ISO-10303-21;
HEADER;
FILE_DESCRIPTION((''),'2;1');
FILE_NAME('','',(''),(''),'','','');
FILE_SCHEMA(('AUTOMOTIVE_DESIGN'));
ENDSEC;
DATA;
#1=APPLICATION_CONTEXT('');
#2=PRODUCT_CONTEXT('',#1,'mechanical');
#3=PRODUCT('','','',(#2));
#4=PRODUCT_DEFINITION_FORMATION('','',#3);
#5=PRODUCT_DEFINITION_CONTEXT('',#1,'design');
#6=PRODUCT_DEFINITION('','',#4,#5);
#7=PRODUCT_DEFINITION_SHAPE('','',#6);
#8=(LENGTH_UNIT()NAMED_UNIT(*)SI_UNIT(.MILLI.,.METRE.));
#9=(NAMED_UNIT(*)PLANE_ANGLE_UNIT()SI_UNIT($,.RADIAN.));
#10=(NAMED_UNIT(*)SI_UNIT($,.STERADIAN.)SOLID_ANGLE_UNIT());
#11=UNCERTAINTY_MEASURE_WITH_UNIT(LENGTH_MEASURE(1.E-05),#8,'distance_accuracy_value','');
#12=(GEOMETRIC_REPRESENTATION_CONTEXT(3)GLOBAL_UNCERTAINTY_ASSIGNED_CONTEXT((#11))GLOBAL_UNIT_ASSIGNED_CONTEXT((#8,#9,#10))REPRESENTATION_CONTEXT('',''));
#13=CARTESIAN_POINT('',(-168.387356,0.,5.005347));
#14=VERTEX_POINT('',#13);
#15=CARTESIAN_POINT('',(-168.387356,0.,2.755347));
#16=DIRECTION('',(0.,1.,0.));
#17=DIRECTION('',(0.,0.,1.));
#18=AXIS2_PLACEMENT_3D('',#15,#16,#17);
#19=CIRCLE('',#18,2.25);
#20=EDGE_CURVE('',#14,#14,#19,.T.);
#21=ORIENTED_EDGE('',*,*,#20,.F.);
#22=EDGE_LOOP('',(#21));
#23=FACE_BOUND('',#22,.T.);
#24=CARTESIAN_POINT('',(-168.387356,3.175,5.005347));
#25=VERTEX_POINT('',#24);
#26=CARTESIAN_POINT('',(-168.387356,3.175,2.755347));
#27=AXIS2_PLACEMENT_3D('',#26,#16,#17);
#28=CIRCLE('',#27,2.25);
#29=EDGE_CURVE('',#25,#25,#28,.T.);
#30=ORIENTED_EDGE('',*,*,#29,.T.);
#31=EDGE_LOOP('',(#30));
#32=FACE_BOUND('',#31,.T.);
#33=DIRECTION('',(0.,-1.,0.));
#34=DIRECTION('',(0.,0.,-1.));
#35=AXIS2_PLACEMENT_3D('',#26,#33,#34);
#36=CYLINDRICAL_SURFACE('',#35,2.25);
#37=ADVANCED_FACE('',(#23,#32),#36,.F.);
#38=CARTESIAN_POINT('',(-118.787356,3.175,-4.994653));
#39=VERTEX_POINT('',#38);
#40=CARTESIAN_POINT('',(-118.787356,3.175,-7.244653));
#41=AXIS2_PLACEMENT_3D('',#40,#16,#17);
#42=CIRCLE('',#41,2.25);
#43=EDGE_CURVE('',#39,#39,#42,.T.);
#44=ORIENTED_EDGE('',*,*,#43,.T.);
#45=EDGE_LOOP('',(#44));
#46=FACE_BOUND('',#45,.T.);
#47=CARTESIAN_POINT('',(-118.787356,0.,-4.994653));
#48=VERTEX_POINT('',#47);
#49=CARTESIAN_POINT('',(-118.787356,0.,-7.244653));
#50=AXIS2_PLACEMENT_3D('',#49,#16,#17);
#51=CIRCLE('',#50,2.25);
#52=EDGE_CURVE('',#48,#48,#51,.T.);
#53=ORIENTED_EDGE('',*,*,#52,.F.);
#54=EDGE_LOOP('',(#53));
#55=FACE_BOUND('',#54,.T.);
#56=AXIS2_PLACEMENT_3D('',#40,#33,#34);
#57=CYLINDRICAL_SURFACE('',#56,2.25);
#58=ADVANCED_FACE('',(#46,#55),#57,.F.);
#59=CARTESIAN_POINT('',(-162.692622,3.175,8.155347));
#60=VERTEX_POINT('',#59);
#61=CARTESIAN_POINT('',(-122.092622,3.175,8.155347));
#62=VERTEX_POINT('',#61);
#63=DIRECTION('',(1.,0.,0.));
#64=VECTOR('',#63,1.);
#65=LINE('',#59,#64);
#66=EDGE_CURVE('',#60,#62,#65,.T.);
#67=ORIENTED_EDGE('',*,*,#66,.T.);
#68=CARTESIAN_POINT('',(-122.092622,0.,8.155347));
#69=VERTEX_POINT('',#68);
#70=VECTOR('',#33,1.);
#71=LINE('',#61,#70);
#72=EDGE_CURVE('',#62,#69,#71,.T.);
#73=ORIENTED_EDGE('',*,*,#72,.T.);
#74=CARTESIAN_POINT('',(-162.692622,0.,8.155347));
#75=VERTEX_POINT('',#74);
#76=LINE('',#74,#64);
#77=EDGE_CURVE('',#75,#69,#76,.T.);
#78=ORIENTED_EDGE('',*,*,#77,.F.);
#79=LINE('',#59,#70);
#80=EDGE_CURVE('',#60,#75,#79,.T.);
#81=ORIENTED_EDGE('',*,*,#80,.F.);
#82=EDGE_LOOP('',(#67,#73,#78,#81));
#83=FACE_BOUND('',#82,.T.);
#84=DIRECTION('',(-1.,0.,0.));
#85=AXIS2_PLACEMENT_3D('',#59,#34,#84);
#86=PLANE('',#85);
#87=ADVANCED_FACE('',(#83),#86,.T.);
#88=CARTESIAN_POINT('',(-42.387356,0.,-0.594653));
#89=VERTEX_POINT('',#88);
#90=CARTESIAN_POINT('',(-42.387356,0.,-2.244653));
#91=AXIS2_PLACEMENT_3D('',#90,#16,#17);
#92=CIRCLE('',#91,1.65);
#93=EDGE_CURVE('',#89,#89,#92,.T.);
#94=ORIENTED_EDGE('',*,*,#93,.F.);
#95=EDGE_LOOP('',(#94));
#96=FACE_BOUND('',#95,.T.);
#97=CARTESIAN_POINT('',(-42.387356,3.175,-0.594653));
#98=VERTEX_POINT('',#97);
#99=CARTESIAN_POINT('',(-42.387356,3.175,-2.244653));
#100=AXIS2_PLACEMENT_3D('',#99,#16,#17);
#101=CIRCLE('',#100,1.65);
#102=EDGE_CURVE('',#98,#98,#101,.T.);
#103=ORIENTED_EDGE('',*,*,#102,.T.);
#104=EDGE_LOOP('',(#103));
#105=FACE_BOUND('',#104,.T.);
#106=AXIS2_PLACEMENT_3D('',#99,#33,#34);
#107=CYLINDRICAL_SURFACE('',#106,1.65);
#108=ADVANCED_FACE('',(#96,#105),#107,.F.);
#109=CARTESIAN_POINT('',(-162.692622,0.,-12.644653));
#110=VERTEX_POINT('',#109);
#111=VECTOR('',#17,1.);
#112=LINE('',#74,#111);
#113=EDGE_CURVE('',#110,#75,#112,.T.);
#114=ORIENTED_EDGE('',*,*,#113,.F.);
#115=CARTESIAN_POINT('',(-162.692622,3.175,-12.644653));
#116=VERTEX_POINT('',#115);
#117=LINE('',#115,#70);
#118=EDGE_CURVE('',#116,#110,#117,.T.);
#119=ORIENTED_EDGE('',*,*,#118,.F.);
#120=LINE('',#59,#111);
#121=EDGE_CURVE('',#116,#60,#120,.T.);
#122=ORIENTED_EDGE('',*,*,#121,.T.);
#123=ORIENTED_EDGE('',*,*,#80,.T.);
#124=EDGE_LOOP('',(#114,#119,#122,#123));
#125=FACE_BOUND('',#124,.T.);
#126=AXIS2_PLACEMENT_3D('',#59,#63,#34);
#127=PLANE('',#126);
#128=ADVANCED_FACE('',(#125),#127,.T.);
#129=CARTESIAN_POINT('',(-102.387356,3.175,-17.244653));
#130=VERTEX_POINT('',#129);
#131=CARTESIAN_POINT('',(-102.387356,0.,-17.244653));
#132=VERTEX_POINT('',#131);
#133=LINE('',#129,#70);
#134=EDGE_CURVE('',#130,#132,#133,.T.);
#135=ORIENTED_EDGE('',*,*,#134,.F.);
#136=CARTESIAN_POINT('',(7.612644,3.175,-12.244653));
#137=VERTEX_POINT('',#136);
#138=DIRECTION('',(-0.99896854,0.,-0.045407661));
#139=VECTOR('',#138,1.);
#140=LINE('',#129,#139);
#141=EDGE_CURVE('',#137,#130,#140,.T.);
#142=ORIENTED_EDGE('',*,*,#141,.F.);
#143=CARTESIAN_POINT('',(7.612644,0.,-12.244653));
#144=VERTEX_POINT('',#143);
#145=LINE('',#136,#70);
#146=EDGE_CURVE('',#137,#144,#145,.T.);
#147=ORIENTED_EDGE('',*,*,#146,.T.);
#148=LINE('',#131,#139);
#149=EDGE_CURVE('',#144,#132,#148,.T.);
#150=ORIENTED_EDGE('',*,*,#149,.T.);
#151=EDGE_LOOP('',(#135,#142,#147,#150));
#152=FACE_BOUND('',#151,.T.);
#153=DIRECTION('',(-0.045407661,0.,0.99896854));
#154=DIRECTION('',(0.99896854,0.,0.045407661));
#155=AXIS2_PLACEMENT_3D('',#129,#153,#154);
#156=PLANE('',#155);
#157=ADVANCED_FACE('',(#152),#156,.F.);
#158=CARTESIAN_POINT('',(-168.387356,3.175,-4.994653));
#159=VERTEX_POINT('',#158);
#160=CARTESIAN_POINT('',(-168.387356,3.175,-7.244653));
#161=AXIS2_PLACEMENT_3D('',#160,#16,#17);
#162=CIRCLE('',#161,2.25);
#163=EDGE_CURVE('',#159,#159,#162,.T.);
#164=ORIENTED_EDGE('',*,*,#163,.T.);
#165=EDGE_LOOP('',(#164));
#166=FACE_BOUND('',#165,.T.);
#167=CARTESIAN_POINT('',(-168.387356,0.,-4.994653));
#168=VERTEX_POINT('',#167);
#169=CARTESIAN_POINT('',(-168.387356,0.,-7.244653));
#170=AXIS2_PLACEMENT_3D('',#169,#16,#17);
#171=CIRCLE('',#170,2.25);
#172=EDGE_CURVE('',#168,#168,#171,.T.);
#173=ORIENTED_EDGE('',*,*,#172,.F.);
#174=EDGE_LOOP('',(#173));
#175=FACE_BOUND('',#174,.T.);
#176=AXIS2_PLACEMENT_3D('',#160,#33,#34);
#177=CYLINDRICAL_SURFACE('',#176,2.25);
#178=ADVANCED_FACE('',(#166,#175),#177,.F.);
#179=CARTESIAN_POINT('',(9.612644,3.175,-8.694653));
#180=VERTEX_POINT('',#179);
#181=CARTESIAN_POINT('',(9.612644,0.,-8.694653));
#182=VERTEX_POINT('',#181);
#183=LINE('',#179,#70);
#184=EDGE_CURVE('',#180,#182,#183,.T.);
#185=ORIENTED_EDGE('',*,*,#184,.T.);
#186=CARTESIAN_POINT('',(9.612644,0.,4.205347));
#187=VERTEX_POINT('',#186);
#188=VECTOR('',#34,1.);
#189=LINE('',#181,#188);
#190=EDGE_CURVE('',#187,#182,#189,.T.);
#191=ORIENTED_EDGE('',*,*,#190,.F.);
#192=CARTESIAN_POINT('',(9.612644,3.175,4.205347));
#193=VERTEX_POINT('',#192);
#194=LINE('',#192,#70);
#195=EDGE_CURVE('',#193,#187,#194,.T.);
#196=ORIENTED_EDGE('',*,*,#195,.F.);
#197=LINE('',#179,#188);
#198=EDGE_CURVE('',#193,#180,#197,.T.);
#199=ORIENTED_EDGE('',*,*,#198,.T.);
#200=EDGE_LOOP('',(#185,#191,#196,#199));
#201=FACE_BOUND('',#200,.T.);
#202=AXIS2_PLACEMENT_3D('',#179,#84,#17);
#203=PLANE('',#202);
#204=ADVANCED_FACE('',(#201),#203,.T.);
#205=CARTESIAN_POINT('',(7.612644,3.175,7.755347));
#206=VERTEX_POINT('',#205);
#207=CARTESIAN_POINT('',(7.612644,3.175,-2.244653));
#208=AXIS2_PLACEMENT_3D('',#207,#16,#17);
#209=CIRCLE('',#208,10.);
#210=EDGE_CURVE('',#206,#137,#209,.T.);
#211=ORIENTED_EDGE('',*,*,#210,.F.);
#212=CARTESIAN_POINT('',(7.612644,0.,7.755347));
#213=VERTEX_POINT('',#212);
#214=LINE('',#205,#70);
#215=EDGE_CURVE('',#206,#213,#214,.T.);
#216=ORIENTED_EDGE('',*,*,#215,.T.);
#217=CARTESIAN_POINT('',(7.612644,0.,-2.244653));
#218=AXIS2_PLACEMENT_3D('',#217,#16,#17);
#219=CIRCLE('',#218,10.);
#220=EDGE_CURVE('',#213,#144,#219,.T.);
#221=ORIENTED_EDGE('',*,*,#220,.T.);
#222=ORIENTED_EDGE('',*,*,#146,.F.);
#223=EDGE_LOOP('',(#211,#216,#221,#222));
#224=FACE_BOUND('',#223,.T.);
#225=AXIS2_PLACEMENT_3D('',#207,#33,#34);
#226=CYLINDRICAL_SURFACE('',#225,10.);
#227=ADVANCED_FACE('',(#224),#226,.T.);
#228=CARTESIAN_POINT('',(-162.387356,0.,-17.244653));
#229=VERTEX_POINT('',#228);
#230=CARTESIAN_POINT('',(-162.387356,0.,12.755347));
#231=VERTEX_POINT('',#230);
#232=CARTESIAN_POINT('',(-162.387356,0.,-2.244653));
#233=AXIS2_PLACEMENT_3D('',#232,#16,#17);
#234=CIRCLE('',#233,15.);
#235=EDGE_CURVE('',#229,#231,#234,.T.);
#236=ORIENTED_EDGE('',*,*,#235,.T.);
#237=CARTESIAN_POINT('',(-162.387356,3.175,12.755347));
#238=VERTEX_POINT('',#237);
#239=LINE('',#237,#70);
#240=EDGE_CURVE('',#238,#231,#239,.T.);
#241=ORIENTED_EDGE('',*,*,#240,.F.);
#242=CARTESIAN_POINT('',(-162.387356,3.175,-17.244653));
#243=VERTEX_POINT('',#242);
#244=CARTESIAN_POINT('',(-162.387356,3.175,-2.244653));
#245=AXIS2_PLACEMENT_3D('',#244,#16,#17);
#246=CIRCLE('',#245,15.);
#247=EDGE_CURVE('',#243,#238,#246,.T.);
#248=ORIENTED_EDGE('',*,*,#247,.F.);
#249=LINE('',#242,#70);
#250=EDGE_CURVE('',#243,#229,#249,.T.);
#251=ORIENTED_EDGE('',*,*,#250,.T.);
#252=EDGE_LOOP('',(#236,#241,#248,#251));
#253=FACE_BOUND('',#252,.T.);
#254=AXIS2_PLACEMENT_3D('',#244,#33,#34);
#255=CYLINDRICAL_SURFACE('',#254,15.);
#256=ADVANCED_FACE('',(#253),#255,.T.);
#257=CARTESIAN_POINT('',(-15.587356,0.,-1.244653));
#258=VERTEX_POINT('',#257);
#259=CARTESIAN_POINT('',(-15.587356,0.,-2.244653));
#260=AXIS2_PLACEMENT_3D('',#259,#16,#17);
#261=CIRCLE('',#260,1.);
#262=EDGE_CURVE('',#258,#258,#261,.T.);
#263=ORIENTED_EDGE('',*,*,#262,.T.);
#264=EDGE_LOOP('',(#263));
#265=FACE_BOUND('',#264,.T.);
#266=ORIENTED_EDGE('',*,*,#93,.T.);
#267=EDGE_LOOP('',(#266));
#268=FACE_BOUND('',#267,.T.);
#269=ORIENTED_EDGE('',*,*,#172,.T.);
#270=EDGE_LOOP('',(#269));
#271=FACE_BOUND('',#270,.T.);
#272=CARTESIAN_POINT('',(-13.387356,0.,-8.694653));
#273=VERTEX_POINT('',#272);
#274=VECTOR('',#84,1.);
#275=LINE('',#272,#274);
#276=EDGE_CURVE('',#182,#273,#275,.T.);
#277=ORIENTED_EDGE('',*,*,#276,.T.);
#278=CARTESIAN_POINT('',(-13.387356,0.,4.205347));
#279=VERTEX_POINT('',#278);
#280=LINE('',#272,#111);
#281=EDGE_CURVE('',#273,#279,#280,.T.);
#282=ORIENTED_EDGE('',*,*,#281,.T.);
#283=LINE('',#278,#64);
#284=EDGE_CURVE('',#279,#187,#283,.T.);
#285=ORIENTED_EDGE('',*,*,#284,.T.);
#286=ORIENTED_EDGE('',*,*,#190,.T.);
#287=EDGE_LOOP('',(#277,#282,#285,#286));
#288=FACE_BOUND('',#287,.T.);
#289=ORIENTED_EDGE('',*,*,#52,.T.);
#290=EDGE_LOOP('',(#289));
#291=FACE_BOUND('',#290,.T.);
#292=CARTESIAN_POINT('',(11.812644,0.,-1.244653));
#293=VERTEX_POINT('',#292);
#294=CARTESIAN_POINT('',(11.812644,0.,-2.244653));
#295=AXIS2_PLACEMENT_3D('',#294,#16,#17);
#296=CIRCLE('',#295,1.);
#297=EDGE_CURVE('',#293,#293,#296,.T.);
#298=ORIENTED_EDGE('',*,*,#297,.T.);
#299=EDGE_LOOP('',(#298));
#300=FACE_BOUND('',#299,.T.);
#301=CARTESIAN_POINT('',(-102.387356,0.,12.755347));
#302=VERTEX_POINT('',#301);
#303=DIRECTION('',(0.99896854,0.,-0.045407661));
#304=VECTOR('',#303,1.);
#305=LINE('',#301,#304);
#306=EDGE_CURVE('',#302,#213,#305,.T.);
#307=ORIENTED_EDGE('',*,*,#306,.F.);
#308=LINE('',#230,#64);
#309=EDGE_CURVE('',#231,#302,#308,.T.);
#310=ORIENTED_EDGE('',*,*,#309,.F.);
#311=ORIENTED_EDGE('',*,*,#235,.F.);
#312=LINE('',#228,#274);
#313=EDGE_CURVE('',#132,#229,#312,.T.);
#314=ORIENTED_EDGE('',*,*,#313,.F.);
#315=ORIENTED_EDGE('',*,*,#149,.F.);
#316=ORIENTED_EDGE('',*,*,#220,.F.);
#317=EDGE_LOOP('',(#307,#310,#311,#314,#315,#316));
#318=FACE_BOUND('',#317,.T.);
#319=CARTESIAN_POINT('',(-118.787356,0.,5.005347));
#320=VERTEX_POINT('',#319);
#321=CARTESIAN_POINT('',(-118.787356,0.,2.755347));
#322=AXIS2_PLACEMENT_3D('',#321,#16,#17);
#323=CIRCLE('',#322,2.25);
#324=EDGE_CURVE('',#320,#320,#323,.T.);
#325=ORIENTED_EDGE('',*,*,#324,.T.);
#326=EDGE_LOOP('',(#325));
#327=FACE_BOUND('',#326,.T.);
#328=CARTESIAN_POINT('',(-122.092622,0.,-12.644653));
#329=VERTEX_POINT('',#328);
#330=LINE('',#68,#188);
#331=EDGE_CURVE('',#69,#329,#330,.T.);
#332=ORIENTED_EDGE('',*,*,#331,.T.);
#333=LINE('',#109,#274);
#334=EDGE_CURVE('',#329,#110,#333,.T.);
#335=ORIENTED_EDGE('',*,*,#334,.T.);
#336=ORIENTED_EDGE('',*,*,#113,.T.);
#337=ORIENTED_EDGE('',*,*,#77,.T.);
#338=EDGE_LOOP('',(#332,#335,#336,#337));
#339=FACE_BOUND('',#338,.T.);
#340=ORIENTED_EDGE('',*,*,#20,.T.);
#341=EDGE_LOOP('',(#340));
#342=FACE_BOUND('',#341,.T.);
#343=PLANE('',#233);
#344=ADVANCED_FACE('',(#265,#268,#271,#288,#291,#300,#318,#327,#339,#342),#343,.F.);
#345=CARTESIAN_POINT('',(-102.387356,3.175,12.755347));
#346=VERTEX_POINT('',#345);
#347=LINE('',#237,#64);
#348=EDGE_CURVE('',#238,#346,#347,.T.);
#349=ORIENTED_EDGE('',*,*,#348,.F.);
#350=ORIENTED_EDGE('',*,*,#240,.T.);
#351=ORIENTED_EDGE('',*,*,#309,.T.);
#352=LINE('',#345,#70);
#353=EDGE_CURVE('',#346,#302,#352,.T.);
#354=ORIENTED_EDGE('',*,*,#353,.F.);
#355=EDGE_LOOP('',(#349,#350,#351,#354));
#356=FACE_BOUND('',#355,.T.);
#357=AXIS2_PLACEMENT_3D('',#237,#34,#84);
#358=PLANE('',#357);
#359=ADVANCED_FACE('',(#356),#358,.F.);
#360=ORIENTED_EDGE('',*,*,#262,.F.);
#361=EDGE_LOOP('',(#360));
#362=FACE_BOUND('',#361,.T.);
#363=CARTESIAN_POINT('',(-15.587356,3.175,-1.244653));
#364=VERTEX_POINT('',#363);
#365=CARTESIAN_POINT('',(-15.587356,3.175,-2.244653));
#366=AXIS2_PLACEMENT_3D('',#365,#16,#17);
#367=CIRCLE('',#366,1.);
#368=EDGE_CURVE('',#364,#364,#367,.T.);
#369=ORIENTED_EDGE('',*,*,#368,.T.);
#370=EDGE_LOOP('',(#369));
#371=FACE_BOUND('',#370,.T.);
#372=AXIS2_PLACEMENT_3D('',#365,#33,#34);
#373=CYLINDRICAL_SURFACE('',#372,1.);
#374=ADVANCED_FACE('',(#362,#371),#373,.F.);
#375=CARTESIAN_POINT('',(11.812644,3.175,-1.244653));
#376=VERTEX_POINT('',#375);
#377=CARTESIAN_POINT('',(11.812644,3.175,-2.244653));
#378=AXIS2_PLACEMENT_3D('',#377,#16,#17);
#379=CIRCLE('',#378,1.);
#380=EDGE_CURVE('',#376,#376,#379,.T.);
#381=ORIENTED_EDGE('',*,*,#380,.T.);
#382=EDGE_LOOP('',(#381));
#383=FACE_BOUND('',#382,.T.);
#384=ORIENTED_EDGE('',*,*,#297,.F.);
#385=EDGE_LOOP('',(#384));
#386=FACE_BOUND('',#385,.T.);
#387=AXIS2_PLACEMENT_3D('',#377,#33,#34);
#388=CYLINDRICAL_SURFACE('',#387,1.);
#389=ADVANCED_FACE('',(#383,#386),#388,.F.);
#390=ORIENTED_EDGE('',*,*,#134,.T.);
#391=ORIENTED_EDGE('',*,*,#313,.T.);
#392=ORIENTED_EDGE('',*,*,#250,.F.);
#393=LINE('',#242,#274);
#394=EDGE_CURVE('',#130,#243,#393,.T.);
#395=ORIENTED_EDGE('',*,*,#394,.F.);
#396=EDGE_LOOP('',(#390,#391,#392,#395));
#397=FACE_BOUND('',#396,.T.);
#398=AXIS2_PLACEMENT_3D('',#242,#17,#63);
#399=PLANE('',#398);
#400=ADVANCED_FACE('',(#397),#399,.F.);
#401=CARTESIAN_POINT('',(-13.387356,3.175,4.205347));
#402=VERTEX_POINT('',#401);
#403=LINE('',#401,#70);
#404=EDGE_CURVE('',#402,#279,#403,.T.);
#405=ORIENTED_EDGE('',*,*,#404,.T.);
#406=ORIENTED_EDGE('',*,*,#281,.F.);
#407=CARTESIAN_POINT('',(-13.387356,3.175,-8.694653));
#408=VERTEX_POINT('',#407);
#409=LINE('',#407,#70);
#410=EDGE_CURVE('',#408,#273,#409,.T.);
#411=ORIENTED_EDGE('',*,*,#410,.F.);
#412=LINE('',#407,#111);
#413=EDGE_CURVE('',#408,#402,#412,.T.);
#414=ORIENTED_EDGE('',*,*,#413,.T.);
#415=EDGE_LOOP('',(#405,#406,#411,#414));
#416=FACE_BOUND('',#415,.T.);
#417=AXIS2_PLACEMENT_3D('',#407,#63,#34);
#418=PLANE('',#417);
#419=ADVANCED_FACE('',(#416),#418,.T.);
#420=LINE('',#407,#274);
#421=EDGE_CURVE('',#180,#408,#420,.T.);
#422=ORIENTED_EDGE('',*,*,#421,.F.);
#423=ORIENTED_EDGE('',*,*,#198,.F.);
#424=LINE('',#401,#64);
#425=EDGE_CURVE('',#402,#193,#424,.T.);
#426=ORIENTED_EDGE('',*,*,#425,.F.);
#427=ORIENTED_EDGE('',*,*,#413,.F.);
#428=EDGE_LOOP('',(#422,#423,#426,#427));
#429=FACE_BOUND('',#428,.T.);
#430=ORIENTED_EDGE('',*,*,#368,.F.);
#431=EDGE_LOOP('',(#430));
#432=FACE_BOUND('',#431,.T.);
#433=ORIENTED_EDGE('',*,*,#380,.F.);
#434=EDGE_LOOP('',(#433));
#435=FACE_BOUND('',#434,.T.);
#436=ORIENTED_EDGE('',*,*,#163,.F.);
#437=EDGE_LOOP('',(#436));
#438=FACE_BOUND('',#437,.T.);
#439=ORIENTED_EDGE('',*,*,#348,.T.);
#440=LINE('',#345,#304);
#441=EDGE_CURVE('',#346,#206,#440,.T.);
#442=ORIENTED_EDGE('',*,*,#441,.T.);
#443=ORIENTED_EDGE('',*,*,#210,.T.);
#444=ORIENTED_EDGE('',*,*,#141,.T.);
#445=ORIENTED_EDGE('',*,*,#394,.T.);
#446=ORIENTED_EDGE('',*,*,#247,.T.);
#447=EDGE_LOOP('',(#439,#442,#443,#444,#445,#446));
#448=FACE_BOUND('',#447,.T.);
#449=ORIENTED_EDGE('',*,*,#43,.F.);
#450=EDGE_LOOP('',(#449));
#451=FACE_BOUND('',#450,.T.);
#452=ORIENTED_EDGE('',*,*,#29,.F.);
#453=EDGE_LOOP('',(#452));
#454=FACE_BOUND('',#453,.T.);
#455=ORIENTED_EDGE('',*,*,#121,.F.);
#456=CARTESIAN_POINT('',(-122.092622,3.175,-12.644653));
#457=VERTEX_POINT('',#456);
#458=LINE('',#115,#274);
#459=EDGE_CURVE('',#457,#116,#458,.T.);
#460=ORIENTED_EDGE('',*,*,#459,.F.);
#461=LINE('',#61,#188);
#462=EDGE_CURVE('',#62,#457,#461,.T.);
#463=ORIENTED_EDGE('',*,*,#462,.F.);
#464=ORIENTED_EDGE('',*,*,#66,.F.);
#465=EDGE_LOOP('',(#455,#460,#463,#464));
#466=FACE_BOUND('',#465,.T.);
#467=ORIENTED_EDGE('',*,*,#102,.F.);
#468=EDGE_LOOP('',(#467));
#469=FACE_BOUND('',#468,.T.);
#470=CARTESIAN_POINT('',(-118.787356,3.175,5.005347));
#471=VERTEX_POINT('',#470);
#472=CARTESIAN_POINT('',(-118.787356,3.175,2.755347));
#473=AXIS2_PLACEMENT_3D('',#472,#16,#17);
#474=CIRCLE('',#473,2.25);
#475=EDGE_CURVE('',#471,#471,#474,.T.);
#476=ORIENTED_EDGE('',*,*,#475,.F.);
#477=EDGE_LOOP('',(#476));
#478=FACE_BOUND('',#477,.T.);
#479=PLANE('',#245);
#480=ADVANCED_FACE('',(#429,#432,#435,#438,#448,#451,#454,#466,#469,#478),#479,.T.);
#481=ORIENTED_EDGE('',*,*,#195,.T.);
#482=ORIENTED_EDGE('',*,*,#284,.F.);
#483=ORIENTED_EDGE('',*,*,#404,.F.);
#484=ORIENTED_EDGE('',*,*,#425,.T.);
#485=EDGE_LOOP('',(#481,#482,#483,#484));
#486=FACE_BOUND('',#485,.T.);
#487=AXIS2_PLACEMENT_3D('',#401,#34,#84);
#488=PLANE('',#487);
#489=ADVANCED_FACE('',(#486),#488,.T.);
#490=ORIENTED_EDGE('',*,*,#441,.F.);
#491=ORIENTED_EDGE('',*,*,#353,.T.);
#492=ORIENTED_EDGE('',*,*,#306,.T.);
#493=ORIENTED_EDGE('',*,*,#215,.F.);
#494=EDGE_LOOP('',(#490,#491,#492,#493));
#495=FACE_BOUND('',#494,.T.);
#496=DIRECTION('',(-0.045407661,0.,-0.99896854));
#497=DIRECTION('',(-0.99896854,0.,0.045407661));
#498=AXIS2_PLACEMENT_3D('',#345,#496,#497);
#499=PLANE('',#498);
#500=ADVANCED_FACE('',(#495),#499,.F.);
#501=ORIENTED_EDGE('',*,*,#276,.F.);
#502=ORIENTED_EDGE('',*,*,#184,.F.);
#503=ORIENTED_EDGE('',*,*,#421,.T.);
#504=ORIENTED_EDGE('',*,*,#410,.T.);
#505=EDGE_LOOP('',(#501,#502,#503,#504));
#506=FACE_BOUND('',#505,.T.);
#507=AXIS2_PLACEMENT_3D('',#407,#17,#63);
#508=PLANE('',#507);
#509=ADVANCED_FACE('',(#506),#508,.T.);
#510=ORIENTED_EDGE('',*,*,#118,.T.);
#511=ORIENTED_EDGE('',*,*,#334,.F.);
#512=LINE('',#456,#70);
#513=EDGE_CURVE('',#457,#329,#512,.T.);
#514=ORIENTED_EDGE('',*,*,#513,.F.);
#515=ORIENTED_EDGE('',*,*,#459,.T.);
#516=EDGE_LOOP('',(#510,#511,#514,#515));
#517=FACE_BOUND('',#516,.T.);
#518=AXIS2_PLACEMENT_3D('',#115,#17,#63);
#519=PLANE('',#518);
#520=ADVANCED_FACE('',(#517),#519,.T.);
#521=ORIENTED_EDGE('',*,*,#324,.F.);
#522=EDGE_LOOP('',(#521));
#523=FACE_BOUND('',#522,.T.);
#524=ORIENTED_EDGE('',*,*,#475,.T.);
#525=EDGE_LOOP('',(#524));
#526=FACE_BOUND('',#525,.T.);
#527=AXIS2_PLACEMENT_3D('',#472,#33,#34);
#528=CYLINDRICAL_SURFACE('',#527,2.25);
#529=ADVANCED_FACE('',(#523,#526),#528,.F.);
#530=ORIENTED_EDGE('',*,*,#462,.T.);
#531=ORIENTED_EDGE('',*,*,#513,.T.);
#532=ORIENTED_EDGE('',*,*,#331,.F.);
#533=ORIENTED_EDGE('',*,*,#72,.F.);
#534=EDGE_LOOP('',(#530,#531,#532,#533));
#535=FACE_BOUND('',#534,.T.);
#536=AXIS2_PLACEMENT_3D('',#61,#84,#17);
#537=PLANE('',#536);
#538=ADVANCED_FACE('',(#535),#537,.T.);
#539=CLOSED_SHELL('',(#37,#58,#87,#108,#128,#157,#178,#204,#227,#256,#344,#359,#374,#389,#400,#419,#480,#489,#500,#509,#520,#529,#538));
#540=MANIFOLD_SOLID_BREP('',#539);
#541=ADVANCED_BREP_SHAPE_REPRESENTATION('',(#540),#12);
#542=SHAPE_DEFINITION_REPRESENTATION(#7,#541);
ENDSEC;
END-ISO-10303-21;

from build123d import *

# Parameters (mm, degrees)
SKETCH1_R           = 2.25
SKETCH1_R_2         = 1
SKETCH1_R_3         = 1.65
SKETCH1_W           = 40.6
SKETCH1_H           = 20.8
SKETCH1_W_2         = 23
SKETCH1_H_2         = 12.9
BOSS_EXTRUDE1_DEPTH = 3.175


with BuildPart() as part:
    # Sketch1 → Boss-Extrude1 (new body)
    with BuildSketch(Plane(origin=(0, 0, 0), x_dir=(1, 0, 0), z_dir=(0, 1, 0))):
        with BuildLine():
            Line((-162.38735588, 17.244652891), (-102.38735588, 17.244652891))
            Line((-102.38735588, 17.244652891), (7.61264412, 12.244652891))
            ThreePointArc((7.61264412, 12.244652891), (17.61264412, 2.244652891), (7.61264412, -7.755347109))
            Line((7.61264412, -7.755347109), (-102.38735588, -12.755347109))
            Line((-102.38735588, -12.755347109), (-162.38735588, -12.755347109))
            ThreePointArc((-162.38735588, -12.755347109), (-177.38735588, 2.244652891), (-162.38735588, 17.244652891))
        make_face()
        with Locations(Location((-168.38735588, 7.244652891, 0), (0, 0, 270))):
            Circle(SKETCH1_R, mode=Mode.SUBTRACT)
        with Locations(Location((-168.38735588, -2.755347109, 0), (0, 0, 270))):
            Circle(SKETCH1_R, mode=Mode.SUBTRACT)
        with Locations(Location((-118.78735588, 7.244652891, 0), (0, 0, 270))):
            Circle(SKETCH1_R, mode=Mode.SUBTRACT)
        with Locations(Location((-118.78735588, -2.755347109, 0), (0, 0, 270))):
            Circle(SKETCH1_R, mode=Mode.SUBTRACT)
        with Locations(Location((-15.58735588, 2.244652891, 0), (0, 0, 270))):
            Circle(SKETCH1_R_2, mode=Mode.SUBTRACT)
        with Locations(Location((11.81264412, 2.244652891, 0), (0, 0, 270))):
            Circle(SKETCH1_R_2, mode=Mode.SUBTRACT)
        with Locations(Location((-42.38735588, 2.244652891, 0), (0, 0, 270))):
            Circle(SKETCH1_R_3, mode=Mode.SUBTRACT)
        with Locations((-142.392621679, 2.244652891)):
            Rectangle(SKETCH1_W, SKETCH1_H, mode=Mode.SUBTRACT)
        with Locations((-1.88735588, 2.244652891)):
            Rectangle(SKETCH1_W_2, SKETCH1_H_2, mode=Mode.SUBTRACT)
    extrude(amount=BOSS_EXTRUDE1_DEPTH)


solid = part.part
